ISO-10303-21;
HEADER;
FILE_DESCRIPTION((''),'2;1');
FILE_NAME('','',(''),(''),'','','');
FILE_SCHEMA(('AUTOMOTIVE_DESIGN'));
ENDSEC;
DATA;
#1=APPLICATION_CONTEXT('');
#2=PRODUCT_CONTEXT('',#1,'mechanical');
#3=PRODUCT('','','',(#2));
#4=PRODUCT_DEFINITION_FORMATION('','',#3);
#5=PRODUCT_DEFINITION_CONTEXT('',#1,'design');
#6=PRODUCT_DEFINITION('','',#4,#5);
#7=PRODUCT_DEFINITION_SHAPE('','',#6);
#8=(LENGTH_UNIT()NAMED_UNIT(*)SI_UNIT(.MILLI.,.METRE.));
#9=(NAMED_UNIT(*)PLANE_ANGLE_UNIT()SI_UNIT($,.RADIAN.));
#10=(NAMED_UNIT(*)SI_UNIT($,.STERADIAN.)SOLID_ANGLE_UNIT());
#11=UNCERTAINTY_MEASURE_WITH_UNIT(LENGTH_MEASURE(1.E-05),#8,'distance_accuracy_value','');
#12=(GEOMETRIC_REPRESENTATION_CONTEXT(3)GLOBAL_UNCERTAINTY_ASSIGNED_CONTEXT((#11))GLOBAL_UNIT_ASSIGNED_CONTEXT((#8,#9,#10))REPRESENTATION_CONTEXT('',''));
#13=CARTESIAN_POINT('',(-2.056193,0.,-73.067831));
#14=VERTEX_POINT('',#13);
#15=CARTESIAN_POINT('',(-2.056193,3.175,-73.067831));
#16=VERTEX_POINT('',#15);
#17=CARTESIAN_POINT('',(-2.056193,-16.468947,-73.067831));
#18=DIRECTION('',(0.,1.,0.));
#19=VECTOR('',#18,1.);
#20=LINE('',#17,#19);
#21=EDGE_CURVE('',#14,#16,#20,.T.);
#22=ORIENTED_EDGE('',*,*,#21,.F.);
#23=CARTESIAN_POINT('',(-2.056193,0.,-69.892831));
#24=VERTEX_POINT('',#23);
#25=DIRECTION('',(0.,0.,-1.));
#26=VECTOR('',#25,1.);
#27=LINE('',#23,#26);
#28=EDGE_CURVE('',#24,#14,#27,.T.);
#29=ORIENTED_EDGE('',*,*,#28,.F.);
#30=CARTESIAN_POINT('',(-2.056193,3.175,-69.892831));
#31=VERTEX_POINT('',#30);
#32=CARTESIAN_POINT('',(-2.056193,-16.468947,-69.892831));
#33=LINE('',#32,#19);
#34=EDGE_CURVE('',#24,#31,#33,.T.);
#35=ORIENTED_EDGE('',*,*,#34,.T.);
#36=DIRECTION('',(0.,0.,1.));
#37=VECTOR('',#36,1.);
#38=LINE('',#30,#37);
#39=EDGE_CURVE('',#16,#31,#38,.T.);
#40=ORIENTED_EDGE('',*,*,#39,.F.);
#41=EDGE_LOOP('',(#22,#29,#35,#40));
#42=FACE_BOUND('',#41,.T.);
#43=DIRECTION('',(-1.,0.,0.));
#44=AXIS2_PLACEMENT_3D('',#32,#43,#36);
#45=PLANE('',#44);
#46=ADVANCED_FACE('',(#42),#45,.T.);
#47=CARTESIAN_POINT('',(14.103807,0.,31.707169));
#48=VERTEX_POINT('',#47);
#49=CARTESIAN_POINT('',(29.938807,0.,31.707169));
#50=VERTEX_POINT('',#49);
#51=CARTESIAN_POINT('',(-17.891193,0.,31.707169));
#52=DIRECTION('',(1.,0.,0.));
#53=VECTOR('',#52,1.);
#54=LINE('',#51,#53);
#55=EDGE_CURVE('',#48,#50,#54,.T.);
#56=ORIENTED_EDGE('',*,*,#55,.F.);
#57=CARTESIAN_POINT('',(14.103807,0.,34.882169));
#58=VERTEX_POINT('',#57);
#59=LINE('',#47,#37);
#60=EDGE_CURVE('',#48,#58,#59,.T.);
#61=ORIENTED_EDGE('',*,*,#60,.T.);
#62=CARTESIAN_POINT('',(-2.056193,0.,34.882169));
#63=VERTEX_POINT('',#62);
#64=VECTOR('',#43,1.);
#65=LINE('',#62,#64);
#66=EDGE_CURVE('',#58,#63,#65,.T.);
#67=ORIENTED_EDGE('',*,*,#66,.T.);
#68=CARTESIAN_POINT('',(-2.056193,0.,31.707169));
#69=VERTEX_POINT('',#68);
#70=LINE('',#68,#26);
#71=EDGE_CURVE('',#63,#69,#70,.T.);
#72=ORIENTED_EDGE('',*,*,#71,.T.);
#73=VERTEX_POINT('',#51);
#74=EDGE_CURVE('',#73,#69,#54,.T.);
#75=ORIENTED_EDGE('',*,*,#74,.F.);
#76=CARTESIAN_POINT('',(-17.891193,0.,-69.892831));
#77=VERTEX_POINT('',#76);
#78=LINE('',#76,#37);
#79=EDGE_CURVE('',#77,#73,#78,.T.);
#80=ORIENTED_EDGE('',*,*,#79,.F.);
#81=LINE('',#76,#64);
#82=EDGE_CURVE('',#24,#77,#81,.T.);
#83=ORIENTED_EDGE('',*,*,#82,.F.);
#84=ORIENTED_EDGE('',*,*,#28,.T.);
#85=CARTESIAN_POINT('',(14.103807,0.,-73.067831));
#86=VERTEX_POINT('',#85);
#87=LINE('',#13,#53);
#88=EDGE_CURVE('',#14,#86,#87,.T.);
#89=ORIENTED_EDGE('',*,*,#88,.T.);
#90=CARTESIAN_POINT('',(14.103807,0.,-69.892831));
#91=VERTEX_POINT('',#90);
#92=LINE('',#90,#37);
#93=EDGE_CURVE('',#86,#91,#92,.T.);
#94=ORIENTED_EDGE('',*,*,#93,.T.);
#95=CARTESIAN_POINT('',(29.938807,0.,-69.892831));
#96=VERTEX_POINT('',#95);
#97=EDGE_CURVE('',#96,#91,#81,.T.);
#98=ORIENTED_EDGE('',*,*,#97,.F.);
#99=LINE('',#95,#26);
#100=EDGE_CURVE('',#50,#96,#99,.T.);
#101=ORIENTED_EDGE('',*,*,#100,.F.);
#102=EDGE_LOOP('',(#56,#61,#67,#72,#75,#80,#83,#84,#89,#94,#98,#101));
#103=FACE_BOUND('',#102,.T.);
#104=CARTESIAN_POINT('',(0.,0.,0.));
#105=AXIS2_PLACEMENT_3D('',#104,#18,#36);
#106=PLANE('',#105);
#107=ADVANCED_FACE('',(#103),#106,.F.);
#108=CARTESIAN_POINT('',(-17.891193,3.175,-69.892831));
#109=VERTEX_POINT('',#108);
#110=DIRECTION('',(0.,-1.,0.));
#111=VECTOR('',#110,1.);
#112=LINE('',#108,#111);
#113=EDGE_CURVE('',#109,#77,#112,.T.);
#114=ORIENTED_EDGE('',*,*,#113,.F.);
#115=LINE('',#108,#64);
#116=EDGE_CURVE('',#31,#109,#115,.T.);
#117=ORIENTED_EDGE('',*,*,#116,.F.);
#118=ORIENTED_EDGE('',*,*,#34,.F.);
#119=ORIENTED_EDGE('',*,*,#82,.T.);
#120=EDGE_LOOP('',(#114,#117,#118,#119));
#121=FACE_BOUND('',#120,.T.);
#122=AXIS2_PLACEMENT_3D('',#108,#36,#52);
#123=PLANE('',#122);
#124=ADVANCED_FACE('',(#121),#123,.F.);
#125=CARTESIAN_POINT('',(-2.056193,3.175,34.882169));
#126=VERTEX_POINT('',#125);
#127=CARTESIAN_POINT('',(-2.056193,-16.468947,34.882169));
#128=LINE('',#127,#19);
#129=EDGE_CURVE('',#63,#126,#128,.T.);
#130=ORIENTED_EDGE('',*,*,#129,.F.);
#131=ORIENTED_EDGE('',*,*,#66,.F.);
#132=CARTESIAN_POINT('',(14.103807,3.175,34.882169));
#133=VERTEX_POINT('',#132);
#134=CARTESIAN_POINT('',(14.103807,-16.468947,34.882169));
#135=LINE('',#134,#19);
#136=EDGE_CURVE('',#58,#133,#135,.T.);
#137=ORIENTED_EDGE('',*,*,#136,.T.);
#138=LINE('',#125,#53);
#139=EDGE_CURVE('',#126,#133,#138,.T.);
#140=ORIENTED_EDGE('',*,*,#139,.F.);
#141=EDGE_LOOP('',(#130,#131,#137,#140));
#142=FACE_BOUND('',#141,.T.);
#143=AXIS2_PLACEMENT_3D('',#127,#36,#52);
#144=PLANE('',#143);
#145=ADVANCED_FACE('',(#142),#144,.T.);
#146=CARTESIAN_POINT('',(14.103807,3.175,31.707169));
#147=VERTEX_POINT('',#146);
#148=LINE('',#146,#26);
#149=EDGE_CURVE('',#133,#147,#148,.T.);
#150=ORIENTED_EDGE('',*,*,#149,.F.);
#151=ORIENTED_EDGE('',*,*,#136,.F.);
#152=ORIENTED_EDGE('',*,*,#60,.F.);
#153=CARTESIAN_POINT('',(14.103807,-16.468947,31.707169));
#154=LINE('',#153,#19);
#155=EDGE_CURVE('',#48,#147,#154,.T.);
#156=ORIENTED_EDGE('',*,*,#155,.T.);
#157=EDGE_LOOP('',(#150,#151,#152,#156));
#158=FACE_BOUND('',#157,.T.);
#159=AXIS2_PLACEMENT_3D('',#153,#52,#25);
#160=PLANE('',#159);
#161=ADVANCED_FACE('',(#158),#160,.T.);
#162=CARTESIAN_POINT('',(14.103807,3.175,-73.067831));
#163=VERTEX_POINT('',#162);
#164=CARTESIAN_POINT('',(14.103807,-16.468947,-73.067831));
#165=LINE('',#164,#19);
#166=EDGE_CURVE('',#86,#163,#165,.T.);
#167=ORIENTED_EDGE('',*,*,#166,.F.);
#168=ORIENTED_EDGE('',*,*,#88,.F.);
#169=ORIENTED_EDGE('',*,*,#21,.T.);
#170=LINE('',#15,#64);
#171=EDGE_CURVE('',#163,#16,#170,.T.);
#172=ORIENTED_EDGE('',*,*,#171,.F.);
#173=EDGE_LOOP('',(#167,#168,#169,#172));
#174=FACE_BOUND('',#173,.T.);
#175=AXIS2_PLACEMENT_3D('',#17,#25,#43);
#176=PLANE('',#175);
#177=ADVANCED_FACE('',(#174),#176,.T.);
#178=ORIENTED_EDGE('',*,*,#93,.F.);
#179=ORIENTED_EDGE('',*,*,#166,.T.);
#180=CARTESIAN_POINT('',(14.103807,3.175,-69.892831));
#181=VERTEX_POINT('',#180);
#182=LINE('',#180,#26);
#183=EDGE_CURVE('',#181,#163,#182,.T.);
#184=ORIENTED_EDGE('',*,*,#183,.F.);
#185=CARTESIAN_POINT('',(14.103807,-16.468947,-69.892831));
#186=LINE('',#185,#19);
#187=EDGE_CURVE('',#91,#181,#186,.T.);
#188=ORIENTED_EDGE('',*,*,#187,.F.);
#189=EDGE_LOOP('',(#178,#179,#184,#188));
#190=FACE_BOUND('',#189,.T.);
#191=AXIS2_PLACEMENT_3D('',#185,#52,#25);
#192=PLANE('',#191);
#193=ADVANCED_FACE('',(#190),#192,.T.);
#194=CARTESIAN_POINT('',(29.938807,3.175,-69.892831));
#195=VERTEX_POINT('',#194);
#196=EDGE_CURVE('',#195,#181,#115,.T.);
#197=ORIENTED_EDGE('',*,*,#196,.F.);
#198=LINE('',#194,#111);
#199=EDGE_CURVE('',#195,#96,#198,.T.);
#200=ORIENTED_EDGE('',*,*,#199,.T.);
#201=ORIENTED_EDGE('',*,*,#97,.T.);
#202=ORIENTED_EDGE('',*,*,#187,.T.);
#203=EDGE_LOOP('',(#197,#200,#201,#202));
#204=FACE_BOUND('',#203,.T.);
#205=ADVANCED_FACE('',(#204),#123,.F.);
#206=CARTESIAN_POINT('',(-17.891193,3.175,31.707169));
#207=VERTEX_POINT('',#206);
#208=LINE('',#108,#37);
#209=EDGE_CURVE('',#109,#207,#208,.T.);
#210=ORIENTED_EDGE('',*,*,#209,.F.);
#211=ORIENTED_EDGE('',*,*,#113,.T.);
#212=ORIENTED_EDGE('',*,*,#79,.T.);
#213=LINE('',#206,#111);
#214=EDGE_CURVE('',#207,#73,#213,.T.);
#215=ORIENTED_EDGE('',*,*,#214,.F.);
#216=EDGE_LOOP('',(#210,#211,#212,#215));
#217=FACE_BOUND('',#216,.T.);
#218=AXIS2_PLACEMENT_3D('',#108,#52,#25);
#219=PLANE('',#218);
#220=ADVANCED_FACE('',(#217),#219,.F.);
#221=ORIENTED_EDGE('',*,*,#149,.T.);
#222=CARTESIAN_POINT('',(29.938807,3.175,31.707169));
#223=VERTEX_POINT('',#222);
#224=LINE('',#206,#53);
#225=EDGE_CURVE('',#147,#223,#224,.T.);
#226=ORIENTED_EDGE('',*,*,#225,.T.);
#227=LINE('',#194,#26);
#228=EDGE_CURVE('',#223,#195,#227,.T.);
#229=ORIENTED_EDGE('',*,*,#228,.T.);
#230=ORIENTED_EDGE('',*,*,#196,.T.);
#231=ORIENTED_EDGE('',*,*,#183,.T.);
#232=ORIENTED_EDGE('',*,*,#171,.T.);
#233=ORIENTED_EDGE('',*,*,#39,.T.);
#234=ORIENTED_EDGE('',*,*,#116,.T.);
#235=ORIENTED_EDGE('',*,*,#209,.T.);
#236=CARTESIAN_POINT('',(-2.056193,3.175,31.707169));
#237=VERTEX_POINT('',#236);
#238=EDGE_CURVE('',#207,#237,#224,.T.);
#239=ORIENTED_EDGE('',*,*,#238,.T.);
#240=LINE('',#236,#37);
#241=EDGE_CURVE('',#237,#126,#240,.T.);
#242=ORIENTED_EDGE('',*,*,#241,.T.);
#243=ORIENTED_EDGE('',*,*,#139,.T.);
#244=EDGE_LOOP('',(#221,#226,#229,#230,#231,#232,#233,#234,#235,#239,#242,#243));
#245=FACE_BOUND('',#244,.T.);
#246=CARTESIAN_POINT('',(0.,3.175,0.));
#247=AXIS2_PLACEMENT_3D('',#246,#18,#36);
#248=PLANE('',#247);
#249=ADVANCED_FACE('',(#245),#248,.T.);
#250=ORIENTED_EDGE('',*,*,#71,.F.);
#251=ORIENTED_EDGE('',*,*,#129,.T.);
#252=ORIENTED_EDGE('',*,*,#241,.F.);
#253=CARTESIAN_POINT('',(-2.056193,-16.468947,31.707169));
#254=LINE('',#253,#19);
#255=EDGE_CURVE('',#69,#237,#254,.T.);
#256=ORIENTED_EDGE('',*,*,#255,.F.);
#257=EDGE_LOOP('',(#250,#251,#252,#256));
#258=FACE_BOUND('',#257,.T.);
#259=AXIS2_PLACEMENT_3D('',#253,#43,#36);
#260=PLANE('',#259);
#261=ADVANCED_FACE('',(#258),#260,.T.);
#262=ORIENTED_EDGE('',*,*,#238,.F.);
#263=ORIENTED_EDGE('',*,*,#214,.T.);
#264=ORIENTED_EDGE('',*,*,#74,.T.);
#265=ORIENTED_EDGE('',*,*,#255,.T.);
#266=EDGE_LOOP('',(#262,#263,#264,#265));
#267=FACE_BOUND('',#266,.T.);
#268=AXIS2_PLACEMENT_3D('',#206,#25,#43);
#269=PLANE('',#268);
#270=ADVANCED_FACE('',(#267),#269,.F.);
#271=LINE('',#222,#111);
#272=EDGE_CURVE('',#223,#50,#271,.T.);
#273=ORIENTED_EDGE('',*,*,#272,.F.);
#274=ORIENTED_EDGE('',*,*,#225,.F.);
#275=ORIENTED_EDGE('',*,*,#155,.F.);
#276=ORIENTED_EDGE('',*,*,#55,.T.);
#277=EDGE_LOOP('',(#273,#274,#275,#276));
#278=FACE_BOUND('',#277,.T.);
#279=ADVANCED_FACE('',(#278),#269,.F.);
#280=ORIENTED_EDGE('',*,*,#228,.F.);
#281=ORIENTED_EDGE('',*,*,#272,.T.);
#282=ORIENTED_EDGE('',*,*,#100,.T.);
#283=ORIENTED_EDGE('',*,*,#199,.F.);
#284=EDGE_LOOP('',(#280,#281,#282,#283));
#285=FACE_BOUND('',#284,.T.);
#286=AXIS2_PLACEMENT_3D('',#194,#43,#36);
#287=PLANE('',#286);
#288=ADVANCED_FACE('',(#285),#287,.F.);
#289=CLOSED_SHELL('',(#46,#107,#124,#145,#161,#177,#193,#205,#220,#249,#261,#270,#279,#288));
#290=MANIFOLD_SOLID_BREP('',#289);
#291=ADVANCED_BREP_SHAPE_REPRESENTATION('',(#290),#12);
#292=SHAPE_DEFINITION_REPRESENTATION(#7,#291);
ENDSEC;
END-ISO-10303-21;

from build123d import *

# Parameters (mm, degrees)
SKETCH1_W           = 47.83
SKETCH1_H           = 101.6
BOSS_EXTRUDE1_DEPTH = 3.175
SKETCH2_W           = 16.16
SKETCH2_H           = 3.175
BOSS_EXTRUDE2_DEPTH = 3.175


with BuildPart() as part:
    # Sketch1 → Boss-Extrude1 (new body)
    with BuildSketch(Plane(origin=(0, 0, 0), x_dir=(1, 0, 0), z_dir=(0, 1, 0))):
        with Locations((6.023807387, 19.092830869)):
            Rectangle(SKETCH1_W, SKETCH1_H)
    extrude(amount=BOSS_EXTRUDE1_DEPTH)

    # Sketch2 → Boss-Extrude2 (add)
    with BuildSketch(Plane(origin=(0, 3.175, 0), x_dir=(1, 0, 0), z_dir=(0, 1, 0))):
        with Locations((6.023807387, 71.480330869)):
            Rectangle(SKETCH2_W, SKETCH2_H)
        with Locations((6.023807387, -33.294669131)):
            Rectangle(SKETCH2_W, SKETCH2_H)
    extrude(amount=-BOSS_EXTRUDE2_DEPTH)


solid = part.part
